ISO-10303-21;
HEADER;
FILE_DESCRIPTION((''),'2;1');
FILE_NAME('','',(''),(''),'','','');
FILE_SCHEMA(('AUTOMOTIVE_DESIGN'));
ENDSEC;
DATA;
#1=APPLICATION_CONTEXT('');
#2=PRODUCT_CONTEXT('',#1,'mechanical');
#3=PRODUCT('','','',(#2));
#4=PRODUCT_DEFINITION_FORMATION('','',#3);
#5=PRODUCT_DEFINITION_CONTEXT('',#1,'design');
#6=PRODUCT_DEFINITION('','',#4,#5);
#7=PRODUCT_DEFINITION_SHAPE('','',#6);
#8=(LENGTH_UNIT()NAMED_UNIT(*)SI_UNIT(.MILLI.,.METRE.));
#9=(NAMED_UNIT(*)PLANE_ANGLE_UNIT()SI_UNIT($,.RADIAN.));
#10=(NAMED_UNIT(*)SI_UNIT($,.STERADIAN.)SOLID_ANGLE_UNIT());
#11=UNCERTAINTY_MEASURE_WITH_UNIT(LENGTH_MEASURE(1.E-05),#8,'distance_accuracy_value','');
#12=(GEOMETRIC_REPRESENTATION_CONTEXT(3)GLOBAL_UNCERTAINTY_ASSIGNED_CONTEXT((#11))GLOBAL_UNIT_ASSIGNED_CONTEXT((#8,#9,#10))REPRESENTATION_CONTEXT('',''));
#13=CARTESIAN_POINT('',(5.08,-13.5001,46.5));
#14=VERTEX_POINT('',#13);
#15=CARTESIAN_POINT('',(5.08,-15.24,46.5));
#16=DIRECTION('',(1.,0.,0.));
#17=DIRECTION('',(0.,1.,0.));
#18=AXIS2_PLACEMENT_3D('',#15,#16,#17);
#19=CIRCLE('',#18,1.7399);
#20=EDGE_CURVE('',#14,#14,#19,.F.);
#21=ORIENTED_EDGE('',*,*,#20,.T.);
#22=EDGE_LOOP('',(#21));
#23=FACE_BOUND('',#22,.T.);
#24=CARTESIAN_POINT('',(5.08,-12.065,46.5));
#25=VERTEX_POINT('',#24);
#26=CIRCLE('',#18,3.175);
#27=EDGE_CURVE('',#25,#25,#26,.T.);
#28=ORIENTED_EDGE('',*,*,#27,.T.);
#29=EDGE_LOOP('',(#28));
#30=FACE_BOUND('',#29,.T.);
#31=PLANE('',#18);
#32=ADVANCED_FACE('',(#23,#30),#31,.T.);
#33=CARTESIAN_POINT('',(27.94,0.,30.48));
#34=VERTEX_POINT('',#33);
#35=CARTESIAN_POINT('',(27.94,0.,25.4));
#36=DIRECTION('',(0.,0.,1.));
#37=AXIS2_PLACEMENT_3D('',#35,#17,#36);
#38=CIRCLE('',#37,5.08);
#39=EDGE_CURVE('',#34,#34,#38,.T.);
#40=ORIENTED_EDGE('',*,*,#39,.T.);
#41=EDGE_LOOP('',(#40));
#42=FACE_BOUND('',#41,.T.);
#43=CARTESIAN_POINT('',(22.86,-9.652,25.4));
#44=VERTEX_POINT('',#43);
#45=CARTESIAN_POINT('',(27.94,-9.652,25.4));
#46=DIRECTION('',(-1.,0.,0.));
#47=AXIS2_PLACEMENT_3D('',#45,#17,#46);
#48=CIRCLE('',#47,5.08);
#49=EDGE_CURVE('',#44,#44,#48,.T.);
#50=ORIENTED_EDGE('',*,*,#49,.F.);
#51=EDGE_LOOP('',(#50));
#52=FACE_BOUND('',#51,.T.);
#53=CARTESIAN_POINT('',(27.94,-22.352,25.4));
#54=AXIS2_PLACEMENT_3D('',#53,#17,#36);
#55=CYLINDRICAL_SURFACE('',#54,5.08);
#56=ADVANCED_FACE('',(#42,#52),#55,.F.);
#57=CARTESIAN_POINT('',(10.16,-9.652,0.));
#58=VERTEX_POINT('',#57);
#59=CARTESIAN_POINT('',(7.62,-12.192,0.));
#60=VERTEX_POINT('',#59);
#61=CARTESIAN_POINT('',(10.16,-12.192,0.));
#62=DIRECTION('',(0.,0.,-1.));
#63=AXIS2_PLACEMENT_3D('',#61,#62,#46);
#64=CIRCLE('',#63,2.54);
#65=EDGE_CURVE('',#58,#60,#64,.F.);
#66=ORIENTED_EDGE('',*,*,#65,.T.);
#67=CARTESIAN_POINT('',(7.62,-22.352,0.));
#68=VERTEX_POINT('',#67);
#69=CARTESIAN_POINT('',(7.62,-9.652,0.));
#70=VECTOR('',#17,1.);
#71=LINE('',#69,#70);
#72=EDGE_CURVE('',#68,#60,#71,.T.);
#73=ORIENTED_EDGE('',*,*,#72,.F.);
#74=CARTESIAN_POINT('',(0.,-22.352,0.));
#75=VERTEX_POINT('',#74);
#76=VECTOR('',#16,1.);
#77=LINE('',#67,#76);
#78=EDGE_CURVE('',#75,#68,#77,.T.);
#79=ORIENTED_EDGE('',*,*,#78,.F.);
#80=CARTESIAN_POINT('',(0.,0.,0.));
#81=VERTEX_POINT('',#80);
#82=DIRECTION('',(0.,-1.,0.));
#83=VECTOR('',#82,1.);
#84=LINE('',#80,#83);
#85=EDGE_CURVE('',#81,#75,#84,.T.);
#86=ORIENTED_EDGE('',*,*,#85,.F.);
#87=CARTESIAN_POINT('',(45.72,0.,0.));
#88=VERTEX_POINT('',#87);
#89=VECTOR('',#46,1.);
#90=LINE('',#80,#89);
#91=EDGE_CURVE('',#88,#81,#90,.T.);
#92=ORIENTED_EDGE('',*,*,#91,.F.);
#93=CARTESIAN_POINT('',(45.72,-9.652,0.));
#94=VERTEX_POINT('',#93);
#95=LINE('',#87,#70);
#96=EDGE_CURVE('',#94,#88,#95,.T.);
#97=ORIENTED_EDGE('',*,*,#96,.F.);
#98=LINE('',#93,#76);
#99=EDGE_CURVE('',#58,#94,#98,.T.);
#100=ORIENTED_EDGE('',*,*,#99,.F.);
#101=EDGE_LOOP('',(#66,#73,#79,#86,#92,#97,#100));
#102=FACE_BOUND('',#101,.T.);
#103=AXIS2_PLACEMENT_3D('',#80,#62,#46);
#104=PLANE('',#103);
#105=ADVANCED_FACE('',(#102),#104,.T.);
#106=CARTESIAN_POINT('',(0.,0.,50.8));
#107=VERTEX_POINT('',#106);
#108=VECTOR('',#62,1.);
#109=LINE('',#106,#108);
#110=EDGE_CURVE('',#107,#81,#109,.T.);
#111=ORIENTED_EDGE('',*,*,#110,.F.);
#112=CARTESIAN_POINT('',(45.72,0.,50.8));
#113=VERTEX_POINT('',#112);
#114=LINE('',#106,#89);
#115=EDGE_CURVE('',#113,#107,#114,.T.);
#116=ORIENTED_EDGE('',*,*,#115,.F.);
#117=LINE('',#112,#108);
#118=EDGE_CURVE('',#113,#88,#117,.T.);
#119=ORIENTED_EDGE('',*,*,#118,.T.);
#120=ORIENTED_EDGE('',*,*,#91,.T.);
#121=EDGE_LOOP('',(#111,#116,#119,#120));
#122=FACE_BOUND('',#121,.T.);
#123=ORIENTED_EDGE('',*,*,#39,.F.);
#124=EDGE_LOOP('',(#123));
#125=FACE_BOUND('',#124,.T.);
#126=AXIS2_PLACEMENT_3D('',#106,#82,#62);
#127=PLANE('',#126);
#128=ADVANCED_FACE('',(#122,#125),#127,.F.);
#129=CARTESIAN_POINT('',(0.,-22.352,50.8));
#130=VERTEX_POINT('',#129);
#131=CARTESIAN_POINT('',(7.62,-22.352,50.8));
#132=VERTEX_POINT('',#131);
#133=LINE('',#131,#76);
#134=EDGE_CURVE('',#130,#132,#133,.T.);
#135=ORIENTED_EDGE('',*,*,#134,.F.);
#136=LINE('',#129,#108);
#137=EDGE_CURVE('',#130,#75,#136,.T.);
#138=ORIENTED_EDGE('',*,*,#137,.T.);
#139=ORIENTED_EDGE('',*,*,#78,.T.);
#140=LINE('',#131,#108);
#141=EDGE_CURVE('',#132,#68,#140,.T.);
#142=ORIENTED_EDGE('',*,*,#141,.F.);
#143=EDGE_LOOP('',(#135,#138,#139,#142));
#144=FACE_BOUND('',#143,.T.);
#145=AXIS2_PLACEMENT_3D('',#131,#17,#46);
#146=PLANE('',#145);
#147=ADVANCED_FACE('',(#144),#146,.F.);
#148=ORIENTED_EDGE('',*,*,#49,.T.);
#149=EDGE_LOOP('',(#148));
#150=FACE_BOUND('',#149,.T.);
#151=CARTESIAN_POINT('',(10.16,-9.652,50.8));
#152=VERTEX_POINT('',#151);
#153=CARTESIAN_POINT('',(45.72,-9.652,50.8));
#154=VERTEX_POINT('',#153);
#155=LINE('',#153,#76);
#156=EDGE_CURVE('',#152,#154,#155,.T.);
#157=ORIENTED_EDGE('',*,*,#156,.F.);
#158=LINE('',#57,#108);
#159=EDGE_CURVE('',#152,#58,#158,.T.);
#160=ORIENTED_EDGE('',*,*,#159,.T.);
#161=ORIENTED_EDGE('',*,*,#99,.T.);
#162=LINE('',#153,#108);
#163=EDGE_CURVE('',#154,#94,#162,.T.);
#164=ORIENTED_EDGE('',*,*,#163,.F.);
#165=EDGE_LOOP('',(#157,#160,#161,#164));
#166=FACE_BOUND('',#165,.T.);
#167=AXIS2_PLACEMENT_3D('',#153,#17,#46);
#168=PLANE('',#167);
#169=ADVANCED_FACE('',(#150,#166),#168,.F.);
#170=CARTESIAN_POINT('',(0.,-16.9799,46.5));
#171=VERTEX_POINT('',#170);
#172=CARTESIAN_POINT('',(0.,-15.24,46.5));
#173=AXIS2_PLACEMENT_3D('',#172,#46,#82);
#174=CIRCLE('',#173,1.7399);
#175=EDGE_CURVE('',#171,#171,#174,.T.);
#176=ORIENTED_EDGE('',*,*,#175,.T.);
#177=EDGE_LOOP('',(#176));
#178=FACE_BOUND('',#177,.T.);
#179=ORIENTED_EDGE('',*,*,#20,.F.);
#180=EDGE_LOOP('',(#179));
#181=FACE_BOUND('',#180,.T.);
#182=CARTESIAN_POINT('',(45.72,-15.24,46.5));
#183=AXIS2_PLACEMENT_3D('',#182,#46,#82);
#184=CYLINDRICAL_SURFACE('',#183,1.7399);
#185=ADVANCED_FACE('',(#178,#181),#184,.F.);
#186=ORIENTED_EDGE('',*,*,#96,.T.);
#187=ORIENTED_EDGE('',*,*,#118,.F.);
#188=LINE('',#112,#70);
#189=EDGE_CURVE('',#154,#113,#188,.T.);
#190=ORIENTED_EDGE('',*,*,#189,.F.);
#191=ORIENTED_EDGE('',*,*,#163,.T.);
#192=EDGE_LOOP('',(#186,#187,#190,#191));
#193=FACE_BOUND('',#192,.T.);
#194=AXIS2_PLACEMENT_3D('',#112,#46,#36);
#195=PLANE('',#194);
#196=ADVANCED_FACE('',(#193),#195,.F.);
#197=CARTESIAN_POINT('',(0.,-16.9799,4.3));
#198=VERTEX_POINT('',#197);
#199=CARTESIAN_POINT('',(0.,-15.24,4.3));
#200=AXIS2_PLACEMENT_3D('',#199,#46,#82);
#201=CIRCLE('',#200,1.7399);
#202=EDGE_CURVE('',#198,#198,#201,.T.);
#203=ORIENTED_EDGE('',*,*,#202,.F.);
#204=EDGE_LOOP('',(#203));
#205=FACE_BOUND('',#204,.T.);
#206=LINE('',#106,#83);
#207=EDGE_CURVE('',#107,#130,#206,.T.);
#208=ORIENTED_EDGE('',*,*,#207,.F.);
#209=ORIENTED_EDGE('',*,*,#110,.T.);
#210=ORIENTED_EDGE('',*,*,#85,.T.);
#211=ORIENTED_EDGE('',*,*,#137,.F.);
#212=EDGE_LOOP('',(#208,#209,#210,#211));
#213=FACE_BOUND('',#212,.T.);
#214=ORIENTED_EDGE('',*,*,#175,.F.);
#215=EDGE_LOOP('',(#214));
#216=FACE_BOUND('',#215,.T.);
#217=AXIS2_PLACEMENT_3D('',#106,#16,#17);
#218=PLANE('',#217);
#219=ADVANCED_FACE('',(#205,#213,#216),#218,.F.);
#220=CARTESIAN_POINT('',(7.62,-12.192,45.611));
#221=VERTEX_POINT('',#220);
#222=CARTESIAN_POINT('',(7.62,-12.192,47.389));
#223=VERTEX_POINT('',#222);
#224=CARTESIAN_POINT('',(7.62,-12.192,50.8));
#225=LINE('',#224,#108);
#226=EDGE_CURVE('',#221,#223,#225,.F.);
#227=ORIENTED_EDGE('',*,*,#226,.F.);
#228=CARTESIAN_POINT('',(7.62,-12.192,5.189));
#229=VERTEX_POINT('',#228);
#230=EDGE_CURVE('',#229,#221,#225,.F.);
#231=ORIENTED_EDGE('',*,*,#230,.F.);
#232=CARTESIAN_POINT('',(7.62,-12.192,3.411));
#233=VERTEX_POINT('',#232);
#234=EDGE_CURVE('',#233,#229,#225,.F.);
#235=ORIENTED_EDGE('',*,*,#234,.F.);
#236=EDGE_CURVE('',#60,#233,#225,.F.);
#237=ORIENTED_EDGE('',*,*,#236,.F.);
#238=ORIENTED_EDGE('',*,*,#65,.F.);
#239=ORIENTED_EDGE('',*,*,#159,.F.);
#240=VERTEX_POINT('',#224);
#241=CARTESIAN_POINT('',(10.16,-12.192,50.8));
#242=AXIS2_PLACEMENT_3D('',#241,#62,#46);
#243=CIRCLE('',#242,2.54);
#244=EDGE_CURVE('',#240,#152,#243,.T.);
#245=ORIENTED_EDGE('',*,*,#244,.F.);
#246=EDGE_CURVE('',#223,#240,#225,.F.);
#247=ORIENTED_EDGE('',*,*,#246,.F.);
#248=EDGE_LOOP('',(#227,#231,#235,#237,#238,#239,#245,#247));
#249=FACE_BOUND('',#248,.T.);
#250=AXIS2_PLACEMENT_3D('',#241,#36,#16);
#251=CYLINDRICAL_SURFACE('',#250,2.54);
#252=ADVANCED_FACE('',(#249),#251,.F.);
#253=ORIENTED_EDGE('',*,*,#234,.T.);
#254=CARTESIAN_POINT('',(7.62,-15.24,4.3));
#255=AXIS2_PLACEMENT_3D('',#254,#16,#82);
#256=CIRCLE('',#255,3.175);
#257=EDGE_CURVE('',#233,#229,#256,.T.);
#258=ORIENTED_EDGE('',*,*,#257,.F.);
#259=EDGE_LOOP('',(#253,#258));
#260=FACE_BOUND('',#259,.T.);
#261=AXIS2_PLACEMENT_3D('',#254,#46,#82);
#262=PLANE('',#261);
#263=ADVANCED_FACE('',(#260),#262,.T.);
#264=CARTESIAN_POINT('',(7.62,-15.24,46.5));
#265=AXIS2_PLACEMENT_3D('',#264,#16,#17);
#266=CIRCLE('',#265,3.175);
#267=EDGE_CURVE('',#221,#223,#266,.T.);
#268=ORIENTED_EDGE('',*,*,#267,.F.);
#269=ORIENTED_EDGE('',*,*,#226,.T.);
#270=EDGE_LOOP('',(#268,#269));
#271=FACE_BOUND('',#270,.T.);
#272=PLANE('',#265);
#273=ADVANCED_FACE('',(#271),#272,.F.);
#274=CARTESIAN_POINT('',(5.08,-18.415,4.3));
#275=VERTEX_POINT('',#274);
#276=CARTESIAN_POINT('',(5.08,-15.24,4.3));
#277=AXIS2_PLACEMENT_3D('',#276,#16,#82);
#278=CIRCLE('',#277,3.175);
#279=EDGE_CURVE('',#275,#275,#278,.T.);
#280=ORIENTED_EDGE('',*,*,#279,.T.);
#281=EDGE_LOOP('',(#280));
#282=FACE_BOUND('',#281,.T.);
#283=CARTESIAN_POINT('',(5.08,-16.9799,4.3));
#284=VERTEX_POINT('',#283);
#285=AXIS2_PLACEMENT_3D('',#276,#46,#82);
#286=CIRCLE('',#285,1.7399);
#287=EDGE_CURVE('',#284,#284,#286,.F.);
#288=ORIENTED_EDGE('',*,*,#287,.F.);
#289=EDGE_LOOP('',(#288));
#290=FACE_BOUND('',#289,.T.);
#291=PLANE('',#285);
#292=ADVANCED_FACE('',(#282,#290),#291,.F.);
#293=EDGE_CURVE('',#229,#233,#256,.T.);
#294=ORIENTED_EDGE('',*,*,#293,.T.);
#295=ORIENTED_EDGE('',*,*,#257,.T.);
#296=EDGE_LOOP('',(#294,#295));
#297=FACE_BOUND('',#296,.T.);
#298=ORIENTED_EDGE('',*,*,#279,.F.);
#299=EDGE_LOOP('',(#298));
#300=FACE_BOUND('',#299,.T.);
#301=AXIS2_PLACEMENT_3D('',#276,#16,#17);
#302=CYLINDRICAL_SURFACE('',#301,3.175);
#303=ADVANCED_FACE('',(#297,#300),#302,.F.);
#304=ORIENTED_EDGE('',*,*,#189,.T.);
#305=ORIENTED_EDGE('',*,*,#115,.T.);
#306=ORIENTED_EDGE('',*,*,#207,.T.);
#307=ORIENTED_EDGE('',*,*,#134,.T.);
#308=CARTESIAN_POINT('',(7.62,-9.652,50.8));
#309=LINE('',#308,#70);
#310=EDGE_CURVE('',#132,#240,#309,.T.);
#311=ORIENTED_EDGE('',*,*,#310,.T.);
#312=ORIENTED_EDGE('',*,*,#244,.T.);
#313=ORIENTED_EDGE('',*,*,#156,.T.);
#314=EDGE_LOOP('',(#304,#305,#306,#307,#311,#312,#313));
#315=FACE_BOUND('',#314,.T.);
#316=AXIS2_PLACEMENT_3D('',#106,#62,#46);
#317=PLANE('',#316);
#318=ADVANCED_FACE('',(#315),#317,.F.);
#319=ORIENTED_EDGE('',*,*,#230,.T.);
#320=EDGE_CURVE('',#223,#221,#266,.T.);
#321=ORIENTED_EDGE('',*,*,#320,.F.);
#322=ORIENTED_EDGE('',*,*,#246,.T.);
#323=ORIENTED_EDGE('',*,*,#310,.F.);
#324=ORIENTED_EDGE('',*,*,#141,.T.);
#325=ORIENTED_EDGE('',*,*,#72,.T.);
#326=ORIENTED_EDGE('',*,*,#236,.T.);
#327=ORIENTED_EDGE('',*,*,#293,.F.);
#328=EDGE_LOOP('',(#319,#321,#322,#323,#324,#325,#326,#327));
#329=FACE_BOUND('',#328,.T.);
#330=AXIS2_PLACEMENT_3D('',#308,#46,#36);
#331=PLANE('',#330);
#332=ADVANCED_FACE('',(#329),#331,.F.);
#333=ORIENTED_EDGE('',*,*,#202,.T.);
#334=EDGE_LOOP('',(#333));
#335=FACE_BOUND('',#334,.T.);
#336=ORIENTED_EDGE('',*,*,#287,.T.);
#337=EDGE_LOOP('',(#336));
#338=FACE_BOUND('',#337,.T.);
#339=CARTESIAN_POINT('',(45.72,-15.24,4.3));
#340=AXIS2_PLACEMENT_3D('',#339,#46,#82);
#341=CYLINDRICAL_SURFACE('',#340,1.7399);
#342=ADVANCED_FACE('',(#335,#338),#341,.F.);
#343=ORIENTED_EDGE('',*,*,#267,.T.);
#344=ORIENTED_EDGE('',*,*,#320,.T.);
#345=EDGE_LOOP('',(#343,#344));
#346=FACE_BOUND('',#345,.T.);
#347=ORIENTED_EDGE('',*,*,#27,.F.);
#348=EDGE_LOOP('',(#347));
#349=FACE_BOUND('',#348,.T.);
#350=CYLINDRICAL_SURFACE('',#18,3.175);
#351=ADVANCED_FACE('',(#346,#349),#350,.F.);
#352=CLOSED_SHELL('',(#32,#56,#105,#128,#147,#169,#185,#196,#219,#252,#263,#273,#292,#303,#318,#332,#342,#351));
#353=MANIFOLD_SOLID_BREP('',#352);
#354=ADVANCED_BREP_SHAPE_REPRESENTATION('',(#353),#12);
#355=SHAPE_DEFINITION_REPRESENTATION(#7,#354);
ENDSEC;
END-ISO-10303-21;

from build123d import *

# Parameters (mm, degrees)
BOSS_EXTRUDE1_DEPTH = 50.8
SKETCH2_R           = 1.7399
CUT_EXTRUDE1_DEPTH  = 45.72
FILLET1_R           = 2.54
SKETCH11_R          = 3.175
CUT_EXTRUDE5_DEPTH  = 2.54
SKETCH12_R          = 5.08
CUT_EXTRUDE6_DEPTH  = 72.906677743


with BuildPart() as part:
    # Sketch1 → Boss-Extrude1 (new body)
    with BuildSketch(Plane.XY):
        Polygon((0, 0), (0, -22.352), (7.62, -22.352), (7.62, -9.652), (45.72, -9.652), (45.72, 0), align=None)
    extrude(amount=BOSS_EXTRUDE1_DEPTH)

    # Sketch2 → Cut-Extrude1 (cut)
    with BuildSketch(Plane.ZY):
        with Locations((4.3, -15.24)):
            Circle(SKETCH2_R)
        with Locations((46.5, -15.24)):
            Circle(SKETCH2_R)
    extrude(amount=-CUT_EXTRUDE1_DEPTH, mode=Mode.SUBTRACT)

    # Fillet1
    fillet1_edges = [part.edges().sort_by_distance(p)[0] for p in [
        (7.62, -9.652, 25.4),
    ]]
    fillet(fillet1_edges, radius=FILLET1_R)

    # Sketch11 → Cut-Extrude5 (cut)
    with BuildSketch(Plane(origin=(7.62, 0, 0), x_dir=(0, 0, -1), z_dir=(1, 0, 0))):
        with Locations((-46.5, -15.24)):
            Circle(SKETCH11_R)
        with Locations((-4.3, -15.24)):
            Circle(SKETCH11_R)
    extrude(amount=-CUT_EXTRUDE5_DEPTH, mode=Mode.SUBTRACT)

    # Sketch12 → Cut-Extrude6 (cut, through all)
    with BuildSketch(Plane(origin=(0, 0, 0), x_dir=(1, 0, 0), z_dir=(0, 1, 0))):
        with Locations((27.94, -25.4)):
            Circle(SKETCH12_R)
    extrude(amount=-CUT_EXTRUDE6_DEPTH, mode=Mode.SUBTRACT)


solid = part.part
